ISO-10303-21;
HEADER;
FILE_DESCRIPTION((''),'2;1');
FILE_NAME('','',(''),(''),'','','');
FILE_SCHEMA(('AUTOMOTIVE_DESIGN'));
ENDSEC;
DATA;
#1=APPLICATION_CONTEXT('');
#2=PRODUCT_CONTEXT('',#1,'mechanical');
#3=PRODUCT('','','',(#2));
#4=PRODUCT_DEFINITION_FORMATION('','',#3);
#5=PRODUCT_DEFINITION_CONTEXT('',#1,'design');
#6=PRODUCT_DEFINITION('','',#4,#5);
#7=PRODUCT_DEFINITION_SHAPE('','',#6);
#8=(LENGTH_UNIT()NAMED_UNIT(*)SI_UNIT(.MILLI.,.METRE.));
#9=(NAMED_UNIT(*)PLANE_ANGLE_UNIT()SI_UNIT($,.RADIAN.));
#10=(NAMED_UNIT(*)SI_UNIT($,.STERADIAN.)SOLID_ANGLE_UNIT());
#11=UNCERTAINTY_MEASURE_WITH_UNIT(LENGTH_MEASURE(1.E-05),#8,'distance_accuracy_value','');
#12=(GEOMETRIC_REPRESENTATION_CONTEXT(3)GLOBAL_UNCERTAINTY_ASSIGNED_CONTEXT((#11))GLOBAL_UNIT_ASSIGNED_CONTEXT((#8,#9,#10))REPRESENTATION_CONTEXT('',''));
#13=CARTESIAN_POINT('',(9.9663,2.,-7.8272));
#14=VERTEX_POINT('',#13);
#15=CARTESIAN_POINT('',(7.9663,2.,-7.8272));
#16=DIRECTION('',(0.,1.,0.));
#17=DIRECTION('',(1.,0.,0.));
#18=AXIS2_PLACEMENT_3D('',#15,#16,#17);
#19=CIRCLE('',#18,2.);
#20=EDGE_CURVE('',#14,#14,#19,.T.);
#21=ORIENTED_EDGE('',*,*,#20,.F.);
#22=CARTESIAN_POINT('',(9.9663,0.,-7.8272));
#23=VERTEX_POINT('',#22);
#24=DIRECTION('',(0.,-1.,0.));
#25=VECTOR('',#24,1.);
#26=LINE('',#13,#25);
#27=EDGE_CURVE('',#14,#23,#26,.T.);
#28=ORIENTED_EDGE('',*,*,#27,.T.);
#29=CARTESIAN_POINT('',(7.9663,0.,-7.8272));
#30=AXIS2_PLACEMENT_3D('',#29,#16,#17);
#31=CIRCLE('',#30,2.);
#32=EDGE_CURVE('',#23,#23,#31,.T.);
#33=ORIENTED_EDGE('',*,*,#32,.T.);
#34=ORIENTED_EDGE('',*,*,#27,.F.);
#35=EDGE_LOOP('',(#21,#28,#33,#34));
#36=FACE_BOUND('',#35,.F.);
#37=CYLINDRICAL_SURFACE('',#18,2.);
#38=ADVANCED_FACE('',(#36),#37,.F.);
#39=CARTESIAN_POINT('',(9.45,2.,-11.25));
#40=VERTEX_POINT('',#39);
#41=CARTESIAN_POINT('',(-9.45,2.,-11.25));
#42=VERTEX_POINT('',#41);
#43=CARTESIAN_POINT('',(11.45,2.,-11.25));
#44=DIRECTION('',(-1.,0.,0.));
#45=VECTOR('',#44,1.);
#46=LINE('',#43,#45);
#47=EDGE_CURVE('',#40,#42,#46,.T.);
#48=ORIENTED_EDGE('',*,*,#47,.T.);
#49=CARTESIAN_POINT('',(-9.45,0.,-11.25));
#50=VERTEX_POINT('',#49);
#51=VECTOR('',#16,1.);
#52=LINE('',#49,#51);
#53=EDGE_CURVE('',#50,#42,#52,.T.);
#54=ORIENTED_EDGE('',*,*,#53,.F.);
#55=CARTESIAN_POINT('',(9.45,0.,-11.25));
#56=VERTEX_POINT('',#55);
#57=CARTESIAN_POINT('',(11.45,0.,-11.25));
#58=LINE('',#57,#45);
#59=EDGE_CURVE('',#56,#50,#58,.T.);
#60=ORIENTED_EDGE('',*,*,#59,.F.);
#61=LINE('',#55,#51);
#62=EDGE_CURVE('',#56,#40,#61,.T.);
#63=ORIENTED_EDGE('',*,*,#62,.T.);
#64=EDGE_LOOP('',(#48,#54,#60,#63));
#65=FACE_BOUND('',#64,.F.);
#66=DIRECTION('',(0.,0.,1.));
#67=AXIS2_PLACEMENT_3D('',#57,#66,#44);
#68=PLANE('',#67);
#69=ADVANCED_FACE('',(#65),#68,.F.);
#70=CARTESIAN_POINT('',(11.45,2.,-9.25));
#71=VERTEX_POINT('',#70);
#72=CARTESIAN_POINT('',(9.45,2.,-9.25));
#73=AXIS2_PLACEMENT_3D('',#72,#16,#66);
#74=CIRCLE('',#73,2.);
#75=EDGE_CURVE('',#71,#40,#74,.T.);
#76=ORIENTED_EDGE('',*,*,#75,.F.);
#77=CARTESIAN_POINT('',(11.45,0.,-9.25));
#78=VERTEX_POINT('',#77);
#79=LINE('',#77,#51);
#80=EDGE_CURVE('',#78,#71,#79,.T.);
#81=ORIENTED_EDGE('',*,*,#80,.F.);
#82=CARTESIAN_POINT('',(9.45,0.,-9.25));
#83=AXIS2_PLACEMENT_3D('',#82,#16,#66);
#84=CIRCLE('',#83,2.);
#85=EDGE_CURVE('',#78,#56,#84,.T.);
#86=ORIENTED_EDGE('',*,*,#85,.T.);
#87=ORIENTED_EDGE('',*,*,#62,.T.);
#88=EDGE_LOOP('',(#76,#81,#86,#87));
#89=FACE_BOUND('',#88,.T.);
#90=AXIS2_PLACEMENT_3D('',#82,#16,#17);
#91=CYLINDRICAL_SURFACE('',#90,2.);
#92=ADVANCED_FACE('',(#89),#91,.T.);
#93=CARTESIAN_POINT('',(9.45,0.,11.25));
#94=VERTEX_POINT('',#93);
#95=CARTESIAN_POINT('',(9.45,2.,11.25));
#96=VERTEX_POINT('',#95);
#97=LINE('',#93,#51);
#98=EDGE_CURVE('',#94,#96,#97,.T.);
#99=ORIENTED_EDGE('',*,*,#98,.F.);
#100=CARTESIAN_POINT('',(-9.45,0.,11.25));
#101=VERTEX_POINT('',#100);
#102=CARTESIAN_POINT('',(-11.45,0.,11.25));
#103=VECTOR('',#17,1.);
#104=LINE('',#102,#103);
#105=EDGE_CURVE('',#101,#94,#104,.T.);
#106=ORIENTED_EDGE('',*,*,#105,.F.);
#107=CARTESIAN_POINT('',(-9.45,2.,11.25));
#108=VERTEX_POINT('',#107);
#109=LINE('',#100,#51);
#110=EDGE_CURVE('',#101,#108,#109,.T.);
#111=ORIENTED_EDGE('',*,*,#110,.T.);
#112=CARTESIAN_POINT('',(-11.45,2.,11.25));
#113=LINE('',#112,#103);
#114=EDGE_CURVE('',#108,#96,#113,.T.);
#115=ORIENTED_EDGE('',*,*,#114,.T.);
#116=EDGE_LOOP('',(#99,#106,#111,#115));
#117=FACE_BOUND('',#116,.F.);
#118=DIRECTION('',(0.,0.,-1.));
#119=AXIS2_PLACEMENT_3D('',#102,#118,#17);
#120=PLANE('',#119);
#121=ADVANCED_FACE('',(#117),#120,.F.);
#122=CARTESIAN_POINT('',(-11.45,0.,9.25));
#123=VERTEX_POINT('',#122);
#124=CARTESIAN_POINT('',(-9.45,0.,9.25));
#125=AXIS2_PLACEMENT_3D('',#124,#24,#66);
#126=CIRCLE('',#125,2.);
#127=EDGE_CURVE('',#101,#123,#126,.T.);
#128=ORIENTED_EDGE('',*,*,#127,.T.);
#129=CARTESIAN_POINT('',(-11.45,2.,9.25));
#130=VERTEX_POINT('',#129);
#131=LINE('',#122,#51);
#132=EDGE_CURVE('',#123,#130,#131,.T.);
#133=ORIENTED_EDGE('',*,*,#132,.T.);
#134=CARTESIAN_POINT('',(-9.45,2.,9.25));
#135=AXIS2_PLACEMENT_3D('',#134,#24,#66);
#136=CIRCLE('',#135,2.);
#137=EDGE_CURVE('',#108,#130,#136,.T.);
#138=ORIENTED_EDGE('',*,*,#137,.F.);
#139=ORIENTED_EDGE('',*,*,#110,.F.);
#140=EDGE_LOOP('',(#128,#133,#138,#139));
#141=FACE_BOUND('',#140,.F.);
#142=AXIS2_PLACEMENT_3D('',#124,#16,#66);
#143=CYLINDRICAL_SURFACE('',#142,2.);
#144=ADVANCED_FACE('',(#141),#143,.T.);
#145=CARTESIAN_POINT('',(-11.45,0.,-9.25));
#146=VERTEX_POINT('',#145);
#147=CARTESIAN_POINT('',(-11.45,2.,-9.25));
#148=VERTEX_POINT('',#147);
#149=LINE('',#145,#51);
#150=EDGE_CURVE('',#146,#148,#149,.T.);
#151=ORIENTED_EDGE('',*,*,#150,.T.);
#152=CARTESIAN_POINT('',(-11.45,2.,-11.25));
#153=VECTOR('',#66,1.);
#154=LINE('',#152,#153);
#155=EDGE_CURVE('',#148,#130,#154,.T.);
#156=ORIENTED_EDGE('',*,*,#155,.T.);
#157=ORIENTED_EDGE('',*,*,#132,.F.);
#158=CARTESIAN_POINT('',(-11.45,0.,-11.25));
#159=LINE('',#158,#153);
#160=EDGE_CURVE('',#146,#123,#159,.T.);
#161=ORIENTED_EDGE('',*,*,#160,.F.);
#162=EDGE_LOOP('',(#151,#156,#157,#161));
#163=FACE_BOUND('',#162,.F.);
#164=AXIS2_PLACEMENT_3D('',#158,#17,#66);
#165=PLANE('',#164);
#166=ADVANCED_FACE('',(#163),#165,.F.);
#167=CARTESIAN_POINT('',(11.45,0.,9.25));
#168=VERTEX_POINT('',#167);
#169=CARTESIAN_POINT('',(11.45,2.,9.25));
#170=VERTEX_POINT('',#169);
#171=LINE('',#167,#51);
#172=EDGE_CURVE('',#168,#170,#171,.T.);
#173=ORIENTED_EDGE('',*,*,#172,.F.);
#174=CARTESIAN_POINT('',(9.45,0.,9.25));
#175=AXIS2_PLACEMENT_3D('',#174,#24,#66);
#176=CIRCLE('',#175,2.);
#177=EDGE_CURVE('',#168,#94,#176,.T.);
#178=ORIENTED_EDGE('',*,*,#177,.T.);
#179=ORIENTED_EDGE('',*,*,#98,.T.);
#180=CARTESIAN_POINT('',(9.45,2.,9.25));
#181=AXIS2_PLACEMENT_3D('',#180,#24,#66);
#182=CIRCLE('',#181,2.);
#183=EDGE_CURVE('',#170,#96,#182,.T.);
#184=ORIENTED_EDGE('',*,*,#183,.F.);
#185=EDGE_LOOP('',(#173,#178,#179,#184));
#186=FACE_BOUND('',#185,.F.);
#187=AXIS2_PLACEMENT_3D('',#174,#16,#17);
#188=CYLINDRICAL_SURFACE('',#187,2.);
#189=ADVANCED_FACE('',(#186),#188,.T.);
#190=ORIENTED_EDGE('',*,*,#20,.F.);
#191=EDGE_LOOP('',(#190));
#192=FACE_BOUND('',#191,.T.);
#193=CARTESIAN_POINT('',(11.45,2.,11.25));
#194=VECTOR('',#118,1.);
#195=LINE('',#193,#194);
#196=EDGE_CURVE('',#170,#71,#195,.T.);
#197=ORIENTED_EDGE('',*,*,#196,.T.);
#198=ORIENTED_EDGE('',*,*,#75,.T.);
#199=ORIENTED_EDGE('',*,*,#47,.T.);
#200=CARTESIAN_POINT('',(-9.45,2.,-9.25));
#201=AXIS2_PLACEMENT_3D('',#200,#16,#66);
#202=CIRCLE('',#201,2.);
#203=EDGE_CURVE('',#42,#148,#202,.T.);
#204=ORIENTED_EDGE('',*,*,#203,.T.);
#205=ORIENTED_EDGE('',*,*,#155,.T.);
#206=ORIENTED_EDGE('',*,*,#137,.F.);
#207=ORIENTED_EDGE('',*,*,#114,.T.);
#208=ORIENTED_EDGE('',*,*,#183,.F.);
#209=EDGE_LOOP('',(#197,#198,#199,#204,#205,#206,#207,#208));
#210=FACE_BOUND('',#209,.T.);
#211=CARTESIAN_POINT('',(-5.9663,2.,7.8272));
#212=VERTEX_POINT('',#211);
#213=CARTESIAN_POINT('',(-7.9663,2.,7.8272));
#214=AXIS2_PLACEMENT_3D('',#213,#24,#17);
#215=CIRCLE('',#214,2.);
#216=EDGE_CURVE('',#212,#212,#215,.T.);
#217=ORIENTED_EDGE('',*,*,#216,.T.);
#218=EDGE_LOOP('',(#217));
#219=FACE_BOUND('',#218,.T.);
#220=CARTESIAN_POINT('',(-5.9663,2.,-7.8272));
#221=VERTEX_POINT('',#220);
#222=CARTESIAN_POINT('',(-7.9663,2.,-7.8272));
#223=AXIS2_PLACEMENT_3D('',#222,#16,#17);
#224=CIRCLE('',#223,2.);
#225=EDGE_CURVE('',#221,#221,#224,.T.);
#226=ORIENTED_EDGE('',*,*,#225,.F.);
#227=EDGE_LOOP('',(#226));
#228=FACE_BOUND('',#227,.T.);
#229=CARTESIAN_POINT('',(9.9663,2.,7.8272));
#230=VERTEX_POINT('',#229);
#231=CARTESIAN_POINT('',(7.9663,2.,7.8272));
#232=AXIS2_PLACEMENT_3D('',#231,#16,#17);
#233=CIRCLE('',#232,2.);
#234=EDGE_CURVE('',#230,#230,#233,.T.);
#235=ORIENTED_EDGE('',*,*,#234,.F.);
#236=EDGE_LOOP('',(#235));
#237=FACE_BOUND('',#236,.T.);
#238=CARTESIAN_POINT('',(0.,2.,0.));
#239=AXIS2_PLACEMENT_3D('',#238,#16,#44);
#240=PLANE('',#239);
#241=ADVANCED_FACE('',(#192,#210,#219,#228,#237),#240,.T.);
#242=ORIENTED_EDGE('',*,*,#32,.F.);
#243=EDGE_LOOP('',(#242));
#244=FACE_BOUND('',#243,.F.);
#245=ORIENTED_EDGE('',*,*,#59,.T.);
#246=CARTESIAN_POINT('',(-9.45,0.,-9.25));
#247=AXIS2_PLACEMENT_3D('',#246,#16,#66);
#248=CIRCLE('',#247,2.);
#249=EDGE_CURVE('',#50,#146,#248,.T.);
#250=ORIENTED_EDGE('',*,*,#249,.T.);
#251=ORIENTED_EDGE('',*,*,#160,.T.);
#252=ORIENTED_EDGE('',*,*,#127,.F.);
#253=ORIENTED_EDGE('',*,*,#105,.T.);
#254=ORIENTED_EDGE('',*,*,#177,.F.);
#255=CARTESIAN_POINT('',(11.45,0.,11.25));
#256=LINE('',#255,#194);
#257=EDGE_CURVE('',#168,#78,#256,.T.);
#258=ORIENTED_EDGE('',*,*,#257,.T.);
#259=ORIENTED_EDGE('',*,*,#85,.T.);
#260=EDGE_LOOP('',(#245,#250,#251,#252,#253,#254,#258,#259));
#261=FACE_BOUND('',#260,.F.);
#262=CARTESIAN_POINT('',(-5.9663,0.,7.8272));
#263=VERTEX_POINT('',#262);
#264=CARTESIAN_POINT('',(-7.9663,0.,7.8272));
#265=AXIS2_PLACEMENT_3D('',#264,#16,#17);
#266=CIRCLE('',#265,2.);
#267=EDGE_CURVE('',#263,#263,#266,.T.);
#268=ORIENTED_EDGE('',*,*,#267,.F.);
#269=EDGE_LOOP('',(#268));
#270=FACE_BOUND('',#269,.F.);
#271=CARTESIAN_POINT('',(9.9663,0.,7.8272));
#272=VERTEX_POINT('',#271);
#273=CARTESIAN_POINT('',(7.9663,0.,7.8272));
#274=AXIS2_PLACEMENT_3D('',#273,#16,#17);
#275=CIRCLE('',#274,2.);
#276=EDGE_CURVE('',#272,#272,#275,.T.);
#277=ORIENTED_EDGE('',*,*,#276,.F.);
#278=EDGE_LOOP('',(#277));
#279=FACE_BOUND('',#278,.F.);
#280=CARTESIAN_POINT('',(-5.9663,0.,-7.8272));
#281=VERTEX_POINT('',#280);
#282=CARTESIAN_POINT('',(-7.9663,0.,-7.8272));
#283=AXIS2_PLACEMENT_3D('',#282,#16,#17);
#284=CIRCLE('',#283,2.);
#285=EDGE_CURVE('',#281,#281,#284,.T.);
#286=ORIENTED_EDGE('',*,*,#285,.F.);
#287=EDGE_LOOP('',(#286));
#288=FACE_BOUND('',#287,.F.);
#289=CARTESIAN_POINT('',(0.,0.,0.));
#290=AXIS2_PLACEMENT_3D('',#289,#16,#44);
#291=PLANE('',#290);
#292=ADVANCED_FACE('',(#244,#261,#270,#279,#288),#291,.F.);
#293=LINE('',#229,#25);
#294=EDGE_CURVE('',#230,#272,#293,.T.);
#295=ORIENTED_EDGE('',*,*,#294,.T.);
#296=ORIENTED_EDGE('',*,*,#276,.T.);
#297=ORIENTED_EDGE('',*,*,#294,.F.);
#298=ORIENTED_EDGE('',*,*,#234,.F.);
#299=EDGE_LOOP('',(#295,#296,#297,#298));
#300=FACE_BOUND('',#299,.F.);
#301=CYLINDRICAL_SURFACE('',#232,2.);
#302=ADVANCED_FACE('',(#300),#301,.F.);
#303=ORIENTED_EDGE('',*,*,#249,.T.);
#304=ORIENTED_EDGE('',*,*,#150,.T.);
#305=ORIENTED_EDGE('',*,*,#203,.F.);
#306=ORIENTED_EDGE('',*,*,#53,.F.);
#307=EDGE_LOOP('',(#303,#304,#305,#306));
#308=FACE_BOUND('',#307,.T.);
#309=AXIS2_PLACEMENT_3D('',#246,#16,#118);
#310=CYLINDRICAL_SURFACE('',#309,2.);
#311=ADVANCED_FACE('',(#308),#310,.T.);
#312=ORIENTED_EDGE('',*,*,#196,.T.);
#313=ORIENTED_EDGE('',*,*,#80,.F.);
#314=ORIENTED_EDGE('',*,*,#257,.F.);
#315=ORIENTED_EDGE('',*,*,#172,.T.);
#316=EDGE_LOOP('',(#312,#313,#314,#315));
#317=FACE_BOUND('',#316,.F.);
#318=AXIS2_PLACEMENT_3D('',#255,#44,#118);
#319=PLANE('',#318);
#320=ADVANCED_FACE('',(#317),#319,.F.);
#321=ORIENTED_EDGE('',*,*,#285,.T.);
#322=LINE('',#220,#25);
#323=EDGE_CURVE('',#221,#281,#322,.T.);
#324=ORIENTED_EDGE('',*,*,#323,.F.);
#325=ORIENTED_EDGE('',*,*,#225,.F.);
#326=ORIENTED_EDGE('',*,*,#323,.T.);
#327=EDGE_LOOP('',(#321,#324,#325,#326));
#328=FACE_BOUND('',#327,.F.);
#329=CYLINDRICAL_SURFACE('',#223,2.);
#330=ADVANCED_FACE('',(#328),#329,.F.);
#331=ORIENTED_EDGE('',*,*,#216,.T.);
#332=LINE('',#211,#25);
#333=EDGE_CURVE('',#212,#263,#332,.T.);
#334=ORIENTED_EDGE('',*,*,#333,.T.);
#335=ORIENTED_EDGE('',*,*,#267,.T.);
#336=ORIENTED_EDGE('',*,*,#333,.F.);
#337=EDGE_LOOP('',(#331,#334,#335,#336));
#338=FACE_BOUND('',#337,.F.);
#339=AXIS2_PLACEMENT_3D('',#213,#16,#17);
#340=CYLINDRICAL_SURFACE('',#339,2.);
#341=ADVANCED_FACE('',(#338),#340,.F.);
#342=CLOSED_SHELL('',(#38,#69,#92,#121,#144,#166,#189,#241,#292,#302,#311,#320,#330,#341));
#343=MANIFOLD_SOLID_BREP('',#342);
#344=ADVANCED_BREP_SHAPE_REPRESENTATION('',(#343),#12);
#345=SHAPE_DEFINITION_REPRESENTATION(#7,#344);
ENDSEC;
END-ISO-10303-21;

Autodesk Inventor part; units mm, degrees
ref_plane "XZ Plane" through (0, 0, 0) normal (0, 1, 0) x (-1, 0, 0)
sketch "Эскиз1" plane through (0, 0, 0) normal (0, 1, 0) x (-1, 0, 0)
  line L0 (-11.45, -11.25) -> (11.45, -11.25)
  line L1 (11.45, -11.25) -> (11.45, 11.25)
  line L2 (11.45, 11.25) -> (-11.45, 11.25)
  line L3 (-11.45, 11.25) -> (-11.45, -11.25)
  line L4 (-11.45, -11.25) -> (11.45, 11.25) construction
  line L5 (11.45, -11.25) -> (-11.45, 11.25) construction
  point P0 (0, 0)
  dimension "d0" = 22.5
  dimension "d1" = 22.9
extrude "Выдавливание1" add sketch "Эскиз1" along normal blind 2
sketch "Эскиз2" plane through (0, 2, 0) normal (0, 1, 0) x (1, 0, 0)
  line L0 (-11.45, 11.25) -> (-11.45, -11.25) projected
  line L1 (-11.45, -11.25) -> (0, 0)
  circle A0 centre (-7.9663, -7.8272) radius 2
  line L2 (15.4928, 0) -> (-16.8416, 0)
  line L3 (0, -16.9938) -> (0, 16.458)
  circle A1 centre (-7.9663, 7.8272) radius 2
  circle A2 centre (7.9663, -7.8272) radius 2
  circle A3 centre (7.9663, 7.8272) radius 2
  dimension "d8" = 4
extrude "Выдавливание2" cut sketch "Эскиз2" against normal blind 2 contours A0 L1 | L1 A0 | A1 | A2 | A3
fillet "Сопряжение1" radius 2 4 edges at (-11.45, 1, 11.25) (11.45, 1, 11.25) (11.45, 1, -11.25) (-11.45, 1, -11.25)
properties part number "энкодер"
